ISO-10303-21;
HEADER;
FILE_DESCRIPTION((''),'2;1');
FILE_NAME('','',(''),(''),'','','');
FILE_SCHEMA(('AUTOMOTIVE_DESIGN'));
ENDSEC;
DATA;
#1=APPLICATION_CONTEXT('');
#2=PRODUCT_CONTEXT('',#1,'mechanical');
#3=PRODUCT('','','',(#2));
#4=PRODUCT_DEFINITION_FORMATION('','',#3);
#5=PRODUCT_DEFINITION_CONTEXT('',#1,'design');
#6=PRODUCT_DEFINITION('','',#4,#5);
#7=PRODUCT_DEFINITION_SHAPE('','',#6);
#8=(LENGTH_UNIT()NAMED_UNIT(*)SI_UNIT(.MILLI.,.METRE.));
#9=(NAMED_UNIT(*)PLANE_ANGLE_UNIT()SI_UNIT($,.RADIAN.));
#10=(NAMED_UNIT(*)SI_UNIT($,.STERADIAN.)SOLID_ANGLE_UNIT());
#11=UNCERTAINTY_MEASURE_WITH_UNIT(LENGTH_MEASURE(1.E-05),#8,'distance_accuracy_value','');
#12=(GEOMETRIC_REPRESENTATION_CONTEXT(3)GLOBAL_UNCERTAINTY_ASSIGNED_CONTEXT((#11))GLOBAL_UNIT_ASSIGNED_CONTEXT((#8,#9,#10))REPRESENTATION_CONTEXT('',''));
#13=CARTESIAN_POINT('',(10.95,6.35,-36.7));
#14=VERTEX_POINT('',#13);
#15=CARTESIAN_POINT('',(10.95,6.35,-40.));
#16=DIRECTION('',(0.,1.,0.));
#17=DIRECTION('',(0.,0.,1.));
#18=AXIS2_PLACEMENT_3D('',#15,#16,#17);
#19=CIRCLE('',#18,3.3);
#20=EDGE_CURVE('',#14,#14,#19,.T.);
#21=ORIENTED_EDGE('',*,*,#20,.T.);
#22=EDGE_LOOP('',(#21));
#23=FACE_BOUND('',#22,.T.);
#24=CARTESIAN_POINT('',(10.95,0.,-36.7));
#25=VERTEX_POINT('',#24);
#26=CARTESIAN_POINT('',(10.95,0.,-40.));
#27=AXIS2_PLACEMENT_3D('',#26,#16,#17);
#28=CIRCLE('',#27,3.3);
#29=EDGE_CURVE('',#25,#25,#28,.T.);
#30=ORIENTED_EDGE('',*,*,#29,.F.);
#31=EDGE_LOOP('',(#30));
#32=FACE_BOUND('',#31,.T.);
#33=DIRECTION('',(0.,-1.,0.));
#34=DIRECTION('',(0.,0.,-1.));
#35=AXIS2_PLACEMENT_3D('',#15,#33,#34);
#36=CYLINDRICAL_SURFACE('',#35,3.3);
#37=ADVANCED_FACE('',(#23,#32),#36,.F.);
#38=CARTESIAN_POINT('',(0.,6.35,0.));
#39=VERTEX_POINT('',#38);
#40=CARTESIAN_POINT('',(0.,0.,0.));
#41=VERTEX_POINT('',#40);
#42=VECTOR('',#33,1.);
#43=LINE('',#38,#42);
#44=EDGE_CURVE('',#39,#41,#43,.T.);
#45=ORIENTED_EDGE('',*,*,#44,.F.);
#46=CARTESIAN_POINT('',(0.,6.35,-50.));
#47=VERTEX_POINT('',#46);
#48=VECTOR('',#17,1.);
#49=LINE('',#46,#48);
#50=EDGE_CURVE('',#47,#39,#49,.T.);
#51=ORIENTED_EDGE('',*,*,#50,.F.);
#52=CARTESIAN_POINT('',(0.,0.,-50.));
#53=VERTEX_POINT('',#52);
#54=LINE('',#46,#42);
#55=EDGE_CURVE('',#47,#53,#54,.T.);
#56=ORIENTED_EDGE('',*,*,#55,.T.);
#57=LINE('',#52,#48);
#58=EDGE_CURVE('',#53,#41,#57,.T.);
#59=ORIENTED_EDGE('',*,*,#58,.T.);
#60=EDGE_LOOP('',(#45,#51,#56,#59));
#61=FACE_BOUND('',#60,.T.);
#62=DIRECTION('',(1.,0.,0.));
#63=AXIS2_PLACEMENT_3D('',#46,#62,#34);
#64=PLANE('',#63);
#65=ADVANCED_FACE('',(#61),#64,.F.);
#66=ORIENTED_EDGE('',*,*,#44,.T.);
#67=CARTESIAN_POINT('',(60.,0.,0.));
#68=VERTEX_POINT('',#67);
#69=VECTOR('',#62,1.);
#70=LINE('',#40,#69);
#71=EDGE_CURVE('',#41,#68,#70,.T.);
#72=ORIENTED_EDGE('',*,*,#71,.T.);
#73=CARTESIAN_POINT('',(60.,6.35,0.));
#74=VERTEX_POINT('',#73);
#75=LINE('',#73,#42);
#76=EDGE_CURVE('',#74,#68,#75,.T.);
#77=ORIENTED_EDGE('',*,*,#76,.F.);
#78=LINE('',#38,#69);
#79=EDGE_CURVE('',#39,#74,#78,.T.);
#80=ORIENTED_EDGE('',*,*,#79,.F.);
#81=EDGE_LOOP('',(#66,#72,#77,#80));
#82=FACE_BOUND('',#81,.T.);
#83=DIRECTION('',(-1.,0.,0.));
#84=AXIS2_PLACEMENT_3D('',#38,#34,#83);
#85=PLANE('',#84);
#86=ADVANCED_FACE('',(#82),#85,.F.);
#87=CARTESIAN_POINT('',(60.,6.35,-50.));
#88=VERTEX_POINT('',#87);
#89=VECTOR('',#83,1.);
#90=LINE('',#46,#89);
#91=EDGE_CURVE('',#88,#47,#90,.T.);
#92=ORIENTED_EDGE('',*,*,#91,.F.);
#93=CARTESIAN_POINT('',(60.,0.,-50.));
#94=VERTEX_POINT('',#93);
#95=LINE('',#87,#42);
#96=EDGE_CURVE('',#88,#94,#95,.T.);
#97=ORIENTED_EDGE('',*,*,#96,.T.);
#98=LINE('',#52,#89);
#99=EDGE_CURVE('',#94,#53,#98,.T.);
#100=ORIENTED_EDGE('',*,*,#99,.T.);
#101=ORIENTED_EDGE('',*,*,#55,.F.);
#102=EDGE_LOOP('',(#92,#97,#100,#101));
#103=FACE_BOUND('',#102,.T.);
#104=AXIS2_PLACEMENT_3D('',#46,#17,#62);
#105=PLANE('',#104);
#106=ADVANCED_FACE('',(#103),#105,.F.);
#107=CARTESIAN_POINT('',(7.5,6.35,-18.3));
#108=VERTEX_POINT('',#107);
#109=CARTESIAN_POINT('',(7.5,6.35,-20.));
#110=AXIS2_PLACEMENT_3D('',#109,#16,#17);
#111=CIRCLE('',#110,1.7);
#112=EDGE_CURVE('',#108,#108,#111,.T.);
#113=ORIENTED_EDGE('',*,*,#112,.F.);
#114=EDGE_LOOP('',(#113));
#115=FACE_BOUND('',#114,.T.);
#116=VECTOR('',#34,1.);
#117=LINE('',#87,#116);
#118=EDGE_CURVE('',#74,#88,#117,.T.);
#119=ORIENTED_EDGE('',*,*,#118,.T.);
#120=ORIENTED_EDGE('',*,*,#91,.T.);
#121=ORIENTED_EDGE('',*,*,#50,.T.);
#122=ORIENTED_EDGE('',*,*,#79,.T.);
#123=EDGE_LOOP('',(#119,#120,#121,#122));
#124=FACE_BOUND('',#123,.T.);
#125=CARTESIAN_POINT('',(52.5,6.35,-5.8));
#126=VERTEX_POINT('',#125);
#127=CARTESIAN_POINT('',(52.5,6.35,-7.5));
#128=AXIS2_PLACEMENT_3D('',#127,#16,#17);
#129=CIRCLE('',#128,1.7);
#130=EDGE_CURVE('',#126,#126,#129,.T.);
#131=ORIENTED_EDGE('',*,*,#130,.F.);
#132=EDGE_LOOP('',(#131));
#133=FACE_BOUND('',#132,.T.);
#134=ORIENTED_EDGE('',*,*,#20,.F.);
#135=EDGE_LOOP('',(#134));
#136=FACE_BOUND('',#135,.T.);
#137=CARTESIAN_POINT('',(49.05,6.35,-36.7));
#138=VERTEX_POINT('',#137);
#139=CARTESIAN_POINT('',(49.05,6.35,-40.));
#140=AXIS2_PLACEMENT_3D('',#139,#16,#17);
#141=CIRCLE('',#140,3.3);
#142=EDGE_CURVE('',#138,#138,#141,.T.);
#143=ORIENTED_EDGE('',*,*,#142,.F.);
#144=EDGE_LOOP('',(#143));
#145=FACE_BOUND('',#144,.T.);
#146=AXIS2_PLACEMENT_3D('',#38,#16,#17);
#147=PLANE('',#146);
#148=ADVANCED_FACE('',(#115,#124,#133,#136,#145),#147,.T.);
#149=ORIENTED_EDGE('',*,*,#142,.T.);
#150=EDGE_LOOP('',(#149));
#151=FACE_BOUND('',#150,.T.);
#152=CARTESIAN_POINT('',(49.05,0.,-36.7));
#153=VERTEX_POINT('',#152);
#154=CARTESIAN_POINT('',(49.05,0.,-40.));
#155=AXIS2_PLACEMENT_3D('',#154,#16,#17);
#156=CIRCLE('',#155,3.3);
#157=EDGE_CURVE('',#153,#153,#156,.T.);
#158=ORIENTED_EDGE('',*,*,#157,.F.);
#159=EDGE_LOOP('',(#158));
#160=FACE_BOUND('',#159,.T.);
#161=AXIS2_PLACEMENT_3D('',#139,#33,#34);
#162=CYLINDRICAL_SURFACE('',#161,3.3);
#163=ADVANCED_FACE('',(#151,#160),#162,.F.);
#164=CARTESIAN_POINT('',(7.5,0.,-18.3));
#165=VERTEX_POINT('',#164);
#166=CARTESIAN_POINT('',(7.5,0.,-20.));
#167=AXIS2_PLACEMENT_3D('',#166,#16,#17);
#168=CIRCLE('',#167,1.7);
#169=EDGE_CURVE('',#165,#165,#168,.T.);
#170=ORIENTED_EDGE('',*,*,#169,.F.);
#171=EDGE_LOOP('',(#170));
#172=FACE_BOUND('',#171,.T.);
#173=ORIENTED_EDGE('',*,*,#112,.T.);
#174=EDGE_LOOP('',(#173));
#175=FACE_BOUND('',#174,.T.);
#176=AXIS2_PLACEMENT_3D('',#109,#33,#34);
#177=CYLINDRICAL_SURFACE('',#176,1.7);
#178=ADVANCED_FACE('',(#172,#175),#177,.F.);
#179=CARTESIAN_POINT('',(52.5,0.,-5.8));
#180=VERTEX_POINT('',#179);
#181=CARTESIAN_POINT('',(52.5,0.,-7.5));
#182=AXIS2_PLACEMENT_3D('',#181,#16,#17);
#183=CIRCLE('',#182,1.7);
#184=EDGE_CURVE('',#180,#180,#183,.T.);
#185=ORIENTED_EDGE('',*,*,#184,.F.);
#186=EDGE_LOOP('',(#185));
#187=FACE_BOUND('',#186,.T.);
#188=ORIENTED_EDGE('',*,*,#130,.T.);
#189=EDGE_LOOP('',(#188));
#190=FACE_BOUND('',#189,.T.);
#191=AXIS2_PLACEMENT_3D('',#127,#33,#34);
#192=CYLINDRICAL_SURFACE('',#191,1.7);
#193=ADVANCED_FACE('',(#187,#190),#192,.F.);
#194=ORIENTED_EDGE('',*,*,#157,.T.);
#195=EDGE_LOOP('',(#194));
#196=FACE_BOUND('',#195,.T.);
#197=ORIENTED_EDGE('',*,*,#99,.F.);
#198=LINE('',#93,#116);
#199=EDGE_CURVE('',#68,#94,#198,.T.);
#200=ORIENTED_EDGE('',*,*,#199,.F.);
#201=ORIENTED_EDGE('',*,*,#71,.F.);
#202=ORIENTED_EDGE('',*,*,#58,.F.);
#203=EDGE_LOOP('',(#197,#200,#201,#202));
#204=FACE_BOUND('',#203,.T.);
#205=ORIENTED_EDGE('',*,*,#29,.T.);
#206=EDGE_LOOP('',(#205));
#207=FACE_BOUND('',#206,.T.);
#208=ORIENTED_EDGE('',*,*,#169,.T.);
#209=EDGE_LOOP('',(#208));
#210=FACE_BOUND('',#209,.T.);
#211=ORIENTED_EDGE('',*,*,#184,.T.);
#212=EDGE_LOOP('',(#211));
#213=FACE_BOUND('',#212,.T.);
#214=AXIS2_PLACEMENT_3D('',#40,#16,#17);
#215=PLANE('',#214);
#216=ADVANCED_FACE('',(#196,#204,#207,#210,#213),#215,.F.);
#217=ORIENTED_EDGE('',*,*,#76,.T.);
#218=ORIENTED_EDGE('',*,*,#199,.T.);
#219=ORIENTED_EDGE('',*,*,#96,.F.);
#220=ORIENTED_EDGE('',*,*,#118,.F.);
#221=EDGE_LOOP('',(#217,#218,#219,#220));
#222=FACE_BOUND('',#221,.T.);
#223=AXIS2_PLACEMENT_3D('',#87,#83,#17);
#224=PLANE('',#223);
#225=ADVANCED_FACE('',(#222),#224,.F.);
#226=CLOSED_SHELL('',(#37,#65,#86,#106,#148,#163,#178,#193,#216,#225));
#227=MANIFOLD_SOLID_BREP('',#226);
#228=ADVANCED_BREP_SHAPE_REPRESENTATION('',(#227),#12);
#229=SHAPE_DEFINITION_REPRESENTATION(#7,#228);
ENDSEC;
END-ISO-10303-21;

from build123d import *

# Parameters (mm, degrees)
SKETCH1_W           = 60
SKETCH1_H           = 50
SKETCH1_R           = 3.3
SKETCH1_R_2         = 1.7
BOSS_EXTRUDE1_DEPTH = 6.35


with BuildPart() as part:
    # Sketch1 → Boss-Extrude1 (new body)
    with BuildSketch(Plane(origin=(0, 0, 0), x_dir=(1, 0, 0), z_dir=(0, 1, 0))):
        with Locations((30, 25)):
            Rectangle(SKETCH1_W, SKETCH1_H)
        with Locations((10.95, 40)):
            Circle(SKETCH1_R, mode=Mode.SUBTRACT)
        with Locations((49.05, 40)):
            Circle(SKETCH1_R, mode=Mode.SUBTRACT)
        with Locations((7.5, 20)):
            Circle(SKETCH1_R_2, mode=Mode.SUBTRACT)
        with Locations((52.5, 7.5)):
            Circle(SKETCH1_R_2, mode=Mode.SUBTRACT)
    extrude(amount=BOSS_EXTRUDE1_DEPTH)


solid = part.part
